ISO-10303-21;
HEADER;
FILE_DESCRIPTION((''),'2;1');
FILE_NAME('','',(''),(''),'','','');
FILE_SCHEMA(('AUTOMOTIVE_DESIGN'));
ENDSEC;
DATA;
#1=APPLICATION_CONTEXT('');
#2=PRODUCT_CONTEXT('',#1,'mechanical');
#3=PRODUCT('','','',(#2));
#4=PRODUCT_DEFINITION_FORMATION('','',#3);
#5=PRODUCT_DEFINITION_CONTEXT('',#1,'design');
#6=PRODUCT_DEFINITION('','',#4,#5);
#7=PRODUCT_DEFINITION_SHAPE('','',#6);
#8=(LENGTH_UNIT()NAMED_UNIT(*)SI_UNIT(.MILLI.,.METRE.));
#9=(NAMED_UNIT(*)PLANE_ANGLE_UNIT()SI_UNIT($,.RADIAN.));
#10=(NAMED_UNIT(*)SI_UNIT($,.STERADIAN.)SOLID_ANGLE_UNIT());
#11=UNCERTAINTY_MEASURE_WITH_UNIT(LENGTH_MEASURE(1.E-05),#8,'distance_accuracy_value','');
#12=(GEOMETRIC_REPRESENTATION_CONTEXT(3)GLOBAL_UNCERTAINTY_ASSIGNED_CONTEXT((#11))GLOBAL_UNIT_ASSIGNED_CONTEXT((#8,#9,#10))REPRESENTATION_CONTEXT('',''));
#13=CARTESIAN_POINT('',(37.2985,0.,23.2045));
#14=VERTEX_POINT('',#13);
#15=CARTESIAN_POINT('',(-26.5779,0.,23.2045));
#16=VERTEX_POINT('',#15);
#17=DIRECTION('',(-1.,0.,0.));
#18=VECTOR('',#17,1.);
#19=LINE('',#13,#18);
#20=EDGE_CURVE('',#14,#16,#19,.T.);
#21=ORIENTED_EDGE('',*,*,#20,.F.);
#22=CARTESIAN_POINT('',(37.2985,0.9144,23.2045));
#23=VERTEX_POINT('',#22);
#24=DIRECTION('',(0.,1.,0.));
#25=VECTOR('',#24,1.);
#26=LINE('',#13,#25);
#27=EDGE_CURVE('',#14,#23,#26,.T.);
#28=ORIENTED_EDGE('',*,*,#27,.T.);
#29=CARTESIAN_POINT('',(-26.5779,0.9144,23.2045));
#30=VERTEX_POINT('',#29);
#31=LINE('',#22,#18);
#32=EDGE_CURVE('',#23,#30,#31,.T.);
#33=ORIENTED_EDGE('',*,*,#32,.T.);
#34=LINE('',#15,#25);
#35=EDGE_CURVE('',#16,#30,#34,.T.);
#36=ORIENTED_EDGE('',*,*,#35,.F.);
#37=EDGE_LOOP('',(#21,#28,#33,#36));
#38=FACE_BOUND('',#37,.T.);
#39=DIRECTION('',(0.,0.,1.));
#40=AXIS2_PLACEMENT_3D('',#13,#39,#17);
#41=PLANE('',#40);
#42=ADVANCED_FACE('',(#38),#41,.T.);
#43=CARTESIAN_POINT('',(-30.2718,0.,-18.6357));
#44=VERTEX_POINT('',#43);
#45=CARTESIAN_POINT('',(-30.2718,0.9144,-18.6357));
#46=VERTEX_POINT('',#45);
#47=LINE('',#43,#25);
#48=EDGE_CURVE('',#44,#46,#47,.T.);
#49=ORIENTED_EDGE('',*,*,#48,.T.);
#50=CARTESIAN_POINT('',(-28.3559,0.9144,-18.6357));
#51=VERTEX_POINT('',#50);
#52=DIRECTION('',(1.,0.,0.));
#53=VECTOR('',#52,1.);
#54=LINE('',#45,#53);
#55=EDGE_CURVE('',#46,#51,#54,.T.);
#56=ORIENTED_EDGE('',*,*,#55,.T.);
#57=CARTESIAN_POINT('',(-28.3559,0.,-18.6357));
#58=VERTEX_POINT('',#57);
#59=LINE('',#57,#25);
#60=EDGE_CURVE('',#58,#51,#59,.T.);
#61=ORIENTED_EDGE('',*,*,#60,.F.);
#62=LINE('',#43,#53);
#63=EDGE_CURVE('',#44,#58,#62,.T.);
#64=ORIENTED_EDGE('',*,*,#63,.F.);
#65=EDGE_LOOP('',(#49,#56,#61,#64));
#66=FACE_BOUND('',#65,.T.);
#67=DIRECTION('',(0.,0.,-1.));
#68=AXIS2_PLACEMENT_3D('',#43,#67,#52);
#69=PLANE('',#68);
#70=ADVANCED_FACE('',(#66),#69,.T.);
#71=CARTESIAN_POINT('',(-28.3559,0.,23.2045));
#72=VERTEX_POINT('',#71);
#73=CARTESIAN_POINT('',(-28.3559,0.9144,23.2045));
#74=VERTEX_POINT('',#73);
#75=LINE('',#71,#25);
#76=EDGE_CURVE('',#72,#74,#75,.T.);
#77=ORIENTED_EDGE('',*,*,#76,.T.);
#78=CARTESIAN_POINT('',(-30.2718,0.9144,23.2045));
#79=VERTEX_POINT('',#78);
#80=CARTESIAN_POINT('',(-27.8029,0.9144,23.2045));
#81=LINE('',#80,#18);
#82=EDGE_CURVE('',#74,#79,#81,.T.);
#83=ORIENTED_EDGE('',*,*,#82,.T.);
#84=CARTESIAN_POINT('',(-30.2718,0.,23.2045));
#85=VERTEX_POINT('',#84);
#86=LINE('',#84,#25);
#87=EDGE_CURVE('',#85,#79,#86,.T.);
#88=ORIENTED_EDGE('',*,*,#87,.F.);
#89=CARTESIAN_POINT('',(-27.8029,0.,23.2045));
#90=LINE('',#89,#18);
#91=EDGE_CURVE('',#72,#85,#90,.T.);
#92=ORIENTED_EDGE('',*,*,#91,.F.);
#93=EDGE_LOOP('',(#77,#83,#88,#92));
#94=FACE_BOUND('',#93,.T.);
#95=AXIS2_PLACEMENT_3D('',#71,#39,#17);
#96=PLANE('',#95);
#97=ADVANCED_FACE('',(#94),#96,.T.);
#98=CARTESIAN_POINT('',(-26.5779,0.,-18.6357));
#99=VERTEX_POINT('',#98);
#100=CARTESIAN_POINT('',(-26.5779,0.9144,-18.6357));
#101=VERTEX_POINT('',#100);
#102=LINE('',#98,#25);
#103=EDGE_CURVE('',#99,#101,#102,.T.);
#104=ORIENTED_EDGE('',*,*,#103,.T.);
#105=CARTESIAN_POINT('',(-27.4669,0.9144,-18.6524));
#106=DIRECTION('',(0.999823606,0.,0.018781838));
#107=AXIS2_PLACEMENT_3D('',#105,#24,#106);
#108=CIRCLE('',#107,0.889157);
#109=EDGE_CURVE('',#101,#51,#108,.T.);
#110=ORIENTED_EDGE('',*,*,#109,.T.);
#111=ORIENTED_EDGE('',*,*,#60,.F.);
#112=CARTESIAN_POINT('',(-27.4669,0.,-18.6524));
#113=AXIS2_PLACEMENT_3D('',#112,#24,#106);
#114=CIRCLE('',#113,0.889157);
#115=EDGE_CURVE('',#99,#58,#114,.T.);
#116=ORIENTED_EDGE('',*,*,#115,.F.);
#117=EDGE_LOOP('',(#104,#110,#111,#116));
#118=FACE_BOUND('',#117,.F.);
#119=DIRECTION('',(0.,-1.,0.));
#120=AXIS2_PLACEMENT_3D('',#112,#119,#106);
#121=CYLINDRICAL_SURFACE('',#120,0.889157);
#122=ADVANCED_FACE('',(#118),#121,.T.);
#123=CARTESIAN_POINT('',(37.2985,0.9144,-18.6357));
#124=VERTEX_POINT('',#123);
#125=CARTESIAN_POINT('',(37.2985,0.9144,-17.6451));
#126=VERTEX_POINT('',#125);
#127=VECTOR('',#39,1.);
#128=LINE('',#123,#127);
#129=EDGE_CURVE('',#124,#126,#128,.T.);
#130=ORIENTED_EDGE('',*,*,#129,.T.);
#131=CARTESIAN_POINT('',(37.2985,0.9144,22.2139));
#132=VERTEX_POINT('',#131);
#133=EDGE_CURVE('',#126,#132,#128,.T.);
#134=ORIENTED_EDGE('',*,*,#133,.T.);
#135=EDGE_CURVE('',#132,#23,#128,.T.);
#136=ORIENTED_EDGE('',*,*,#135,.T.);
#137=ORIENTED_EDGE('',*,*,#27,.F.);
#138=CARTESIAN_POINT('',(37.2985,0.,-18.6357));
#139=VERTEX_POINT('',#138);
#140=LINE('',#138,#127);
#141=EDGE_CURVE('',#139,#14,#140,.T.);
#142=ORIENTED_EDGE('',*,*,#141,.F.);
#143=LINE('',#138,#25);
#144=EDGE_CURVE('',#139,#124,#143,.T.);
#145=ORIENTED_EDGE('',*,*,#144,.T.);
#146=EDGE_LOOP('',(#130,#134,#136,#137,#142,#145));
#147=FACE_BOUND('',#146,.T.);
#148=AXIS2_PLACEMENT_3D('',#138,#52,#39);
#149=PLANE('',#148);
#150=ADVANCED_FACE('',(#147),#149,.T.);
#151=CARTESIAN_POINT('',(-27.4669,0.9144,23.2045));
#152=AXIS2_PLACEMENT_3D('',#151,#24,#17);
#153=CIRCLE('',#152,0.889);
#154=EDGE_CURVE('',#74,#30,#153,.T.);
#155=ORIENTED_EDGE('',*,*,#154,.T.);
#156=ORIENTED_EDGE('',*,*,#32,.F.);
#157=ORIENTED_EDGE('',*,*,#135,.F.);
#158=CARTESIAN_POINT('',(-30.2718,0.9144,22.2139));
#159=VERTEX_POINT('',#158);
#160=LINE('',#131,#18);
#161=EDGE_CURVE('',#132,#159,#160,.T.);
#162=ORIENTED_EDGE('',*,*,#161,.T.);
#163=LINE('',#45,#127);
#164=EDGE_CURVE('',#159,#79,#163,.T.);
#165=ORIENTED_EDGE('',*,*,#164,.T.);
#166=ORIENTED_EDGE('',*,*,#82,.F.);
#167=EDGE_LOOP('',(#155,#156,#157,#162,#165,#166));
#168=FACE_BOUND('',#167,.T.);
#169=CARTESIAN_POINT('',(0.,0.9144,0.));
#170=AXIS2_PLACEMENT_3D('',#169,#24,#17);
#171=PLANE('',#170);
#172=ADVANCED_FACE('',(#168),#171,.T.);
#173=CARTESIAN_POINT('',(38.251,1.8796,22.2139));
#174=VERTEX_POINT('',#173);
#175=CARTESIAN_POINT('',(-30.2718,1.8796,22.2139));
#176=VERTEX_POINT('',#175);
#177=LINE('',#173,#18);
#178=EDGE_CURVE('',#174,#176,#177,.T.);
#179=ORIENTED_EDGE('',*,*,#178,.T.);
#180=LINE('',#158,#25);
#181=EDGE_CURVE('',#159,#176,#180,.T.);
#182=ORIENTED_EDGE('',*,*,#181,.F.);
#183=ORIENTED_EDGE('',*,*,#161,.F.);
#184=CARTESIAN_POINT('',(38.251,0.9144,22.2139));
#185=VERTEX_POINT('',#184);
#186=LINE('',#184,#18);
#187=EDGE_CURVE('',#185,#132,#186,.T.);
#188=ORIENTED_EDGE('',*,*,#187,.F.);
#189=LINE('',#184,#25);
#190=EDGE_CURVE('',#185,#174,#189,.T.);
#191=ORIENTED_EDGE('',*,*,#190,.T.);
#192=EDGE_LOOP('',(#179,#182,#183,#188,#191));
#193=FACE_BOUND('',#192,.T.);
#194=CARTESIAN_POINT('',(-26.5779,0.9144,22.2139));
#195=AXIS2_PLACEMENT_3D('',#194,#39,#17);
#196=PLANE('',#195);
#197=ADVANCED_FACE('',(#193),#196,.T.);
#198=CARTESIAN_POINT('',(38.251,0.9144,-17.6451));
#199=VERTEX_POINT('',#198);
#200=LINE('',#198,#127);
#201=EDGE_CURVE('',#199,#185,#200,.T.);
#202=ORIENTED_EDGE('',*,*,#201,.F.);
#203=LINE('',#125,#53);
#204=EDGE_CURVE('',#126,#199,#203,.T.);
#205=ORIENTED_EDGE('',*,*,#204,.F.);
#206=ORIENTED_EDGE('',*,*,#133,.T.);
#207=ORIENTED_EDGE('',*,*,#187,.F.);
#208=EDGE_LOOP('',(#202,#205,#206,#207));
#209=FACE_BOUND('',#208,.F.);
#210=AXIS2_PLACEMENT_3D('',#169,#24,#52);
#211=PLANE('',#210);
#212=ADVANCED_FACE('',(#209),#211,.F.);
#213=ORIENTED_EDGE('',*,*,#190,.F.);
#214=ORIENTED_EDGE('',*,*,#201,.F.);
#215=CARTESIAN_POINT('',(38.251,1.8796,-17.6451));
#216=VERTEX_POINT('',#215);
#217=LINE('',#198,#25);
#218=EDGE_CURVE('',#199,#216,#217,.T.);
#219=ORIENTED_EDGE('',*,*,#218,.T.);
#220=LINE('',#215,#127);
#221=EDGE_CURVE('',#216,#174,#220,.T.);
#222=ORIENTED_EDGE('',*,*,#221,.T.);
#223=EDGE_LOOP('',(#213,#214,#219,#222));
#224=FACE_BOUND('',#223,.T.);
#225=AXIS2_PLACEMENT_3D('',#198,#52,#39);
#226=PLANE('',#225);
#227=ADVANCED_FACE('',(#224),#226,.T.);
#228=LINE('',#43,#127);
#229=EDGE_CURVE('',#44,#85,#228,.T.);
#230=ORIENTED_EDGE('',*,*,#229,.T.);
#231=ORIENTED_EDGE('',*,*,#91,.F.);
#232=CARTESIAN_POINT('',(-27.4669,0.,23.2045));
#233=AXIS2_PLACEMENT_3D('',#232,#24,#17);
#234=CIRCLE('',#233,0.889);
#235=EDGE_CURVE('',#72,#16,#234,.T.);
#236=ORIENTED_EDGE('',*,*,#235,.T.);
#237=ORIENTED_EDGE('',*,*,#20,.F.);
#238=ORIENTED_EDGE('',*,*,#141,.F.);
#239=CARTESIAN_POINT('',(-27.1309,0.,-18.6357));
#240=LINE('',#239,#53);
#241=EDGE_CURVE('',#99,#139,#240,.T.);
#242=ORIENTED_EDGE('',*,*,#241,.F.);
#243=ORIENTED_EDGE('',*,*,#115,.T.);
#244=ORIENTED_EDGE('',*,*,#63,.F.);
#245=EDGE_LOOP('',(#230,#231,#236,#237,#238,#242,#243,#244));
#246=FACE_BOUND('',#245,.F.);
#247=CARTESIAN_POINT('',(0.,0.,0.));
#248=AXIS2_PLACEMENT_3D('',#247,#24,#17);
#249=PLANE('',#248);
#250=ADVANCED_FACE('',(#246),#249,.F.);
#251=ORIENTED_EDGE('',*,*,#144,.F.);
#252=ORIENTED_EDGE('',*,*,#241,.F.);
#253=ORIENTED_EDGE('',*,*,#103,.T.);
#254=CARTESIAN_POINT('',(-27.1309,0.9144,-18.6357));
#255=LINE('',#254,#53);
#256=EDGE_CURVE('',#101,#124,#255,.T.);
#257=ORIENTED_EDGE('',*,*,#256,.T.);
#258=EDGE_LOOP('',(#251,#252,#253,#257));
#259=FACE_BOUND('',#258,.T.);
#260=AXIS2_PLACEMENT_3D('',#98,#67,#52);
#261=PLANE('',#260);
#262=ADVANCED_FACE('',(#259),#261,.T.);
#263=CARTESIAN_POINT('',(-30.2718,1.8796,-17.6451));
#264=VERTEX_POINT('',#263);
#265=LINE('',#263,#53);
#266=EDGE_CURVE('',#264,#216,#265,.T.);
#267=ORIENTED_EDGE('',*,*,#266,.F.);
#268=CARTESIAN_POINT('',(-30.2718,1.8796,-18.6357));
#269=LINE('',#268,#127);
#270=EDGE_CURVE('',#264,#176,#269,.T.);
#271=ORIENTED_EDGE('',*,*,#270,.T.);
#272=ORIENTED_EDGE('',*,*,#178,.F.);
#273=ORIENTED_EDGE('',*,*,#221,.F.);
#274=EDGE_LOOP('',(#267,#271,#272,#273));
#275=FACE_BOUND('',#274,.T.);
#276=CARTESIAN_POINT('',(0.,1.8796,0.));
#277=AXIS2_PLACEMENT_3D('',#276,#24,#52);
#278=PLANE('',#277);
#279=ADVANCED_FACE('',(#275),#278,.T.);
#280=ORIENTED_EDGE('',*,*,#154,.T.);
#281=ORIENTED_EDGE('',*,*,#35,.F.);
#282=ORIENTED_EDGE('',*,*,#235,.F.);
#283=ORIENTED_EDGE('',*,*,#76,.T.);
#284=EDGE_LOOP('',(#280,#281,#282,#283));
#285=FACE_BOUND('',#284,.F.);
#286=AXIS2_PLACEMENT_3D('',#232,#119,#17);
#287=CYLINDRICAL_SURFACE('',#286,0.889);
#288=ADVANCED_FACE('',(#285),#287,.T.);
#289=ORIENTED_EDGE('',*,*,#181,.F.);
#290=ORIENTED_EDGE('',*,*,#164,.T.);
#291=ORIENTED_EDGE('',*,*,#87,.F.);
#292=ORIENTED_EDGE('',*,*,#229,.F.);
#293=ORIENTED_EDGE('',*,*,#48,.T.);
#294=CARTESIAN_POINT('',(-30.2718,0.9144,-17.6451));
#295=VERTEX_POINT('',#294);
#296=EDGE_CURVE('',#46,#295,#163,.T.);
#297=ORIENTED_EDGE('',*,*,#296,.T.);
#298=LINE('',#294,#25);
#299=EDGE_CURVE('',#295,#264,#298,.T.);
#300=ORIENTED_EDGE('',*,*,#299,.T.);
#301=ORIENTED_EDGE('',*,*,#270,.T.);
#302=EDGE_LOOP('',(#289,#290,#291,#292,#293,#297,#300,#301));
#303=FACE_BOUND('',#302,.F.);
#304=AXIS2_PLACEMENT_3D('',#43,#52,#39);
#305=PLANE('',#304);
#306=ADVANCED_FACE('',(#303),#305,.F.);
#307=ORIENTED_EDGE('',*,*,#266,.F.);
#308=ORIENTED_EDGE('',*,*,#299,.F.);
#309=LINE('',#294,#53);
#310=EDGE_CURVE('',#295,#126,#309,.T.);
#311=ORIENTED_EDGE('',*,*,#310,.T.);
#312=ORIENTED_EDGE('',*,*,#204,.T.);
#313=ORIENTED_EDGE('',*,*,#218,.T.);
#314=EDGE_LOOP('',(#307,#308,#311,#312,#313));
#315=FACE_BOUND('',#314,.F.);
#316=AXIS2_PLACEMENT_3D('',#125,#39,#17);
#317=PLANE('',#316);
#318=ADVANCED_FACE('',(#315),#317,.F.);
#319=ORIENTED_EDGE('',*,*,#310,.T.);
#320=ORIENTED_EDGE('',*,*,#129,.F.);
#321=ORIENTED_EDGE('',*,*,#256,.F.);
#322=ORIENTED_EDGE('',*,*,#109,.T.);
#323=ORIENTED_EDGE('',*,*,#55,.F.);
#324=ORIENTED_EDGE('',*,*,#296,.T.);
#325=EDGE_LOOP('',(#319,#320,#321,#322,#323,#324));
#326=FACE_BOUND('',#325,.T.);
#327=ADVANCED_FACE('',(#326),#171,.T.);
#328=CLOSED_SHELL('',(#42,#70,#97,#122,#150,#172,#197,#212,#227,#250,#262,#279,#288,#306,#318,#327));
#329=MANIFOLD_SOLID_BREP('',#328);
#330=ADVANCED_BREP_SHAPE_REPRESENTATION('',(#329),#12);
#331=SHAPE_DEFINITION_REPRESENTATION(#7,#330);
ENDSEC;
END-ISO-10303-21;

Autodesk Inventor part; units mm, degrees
ref_plane "YZ Plane" through (0, 0, 0) normal (1, 0, 0) x (0, 1, 0)
ref_plane "XZ Plane" through (0, 0, 0) normal (0, 1, 0) x (-1, 0, 0)
ref_plane "XY Plane" through (0, 0, 0) normal (0, 0, 1) x (1, 0, 0)
sketch "Sketch1" plane through (0, 0, 0) normal (0, 1, 0) x (-1, 0, 0)
  line L0 (-36.727, -18.0642) -> (-36.727, 22.633)
  line L1 (-36.727, 22.633) -> (28.3668, 22.633)
  line L2 (28.3668, -18.0642) -> (-36.727, -18.0642)
  line L3 (30.2718, 23.5855) -> (28.3559, 23.5855)
  arc A0 (28.3559, 23.5855) -> (26.5779, 23.5855) centre (27.4669, 23.5855) ccw
  line L4 (26.5779, 23.5855) -> (-37.6795, 23.5855)
  line L5 (-37.6795, 23.5855) -> (-37.6795, -19.0167)
  line L6 (-37.6795, -19.0167) -> (26.5779, -19.0167)
  arc A1 (26.5779, -19.0167) -> (28.3559, -19.0167) centre (27.4669, -19.0167) ccw
  line L7 (28.3559, -19.0167) -> (30.2718, -19.0167)
  line L8 (30.2718, -18.6357) -> (27.8029, -18.6357)
  line L9 (27.1309, -18.6357) -> (-37.2985, -18.6357)
  line L10 (-37.2985, -18.6357) -> (-37.2985, 23.2045)
  line L11 (-37.2985, 23.2045) -> (27.1309, 23.2045)
  line L12 (27.8029, 23.2045) -> (30.2718, 23.2045)
  arc A2 (26.5779, -18.6357) -> (28.3559, -18.6357) centre (27.4669, -18.6524) ccw
  arc A3 (28.3559, 23.2045) -> (26.5779, 23.2045) centre (27.4669, 23.2045) ccw
  line L13 (30.2718, -18.6357) -> (30.2718, 23.2045)
  point P0 (0, 0)
  point P1 (25.8871, -17.6673)
  dimension "d0" = 0.381
  dimension "d1" = 0.889
extrude "Extrusion1" add sketch "Sketch1" along normal blind 0.9144
sketch "Sketch2" plane through (0, 0.9144, 0) normal (0, 1, 0) x (1, 0, 0)
  line L0 (37.2985, 18.6357) -> (-26.5779, 18.6357) projected
  line L1 (-26.5779, -23.2045) -> (37.2985, -23.2045) projected
  line L2 (37.2985, 17.6451) -> (-26.5779, 17.6451)
  line L3 (-26.5779, -22.2139) -> (37.2985, -22.2139)
  line L4 (-26.5779, 17.6451) -> (-30.2718, 17.6451)
  line L5 (-30.2718, 18.6357) -> (-30.2718, -23.2045) projected
  line L6 (-26.5779, -22.2139) -> (-30.2718, -22.2139)
  line L7 (37.2985, 17.6451) -> (38.251, 17.6451)
  line L8 (38.251, 17.6451) -> (38.251, -22.2139)
  line L9 (38.251, -22.2139) -> (37.2985, -22.2139)
  point P0 (0, 0)
  dimension "d4" = 0.9906
  dimension "d5" = 0.9906
  dimension "d6" = 0.9525
extrude "Extrusion2" add sketch "Sketch2" along normal blind 0.9652
properties part number "ControllerLid"
